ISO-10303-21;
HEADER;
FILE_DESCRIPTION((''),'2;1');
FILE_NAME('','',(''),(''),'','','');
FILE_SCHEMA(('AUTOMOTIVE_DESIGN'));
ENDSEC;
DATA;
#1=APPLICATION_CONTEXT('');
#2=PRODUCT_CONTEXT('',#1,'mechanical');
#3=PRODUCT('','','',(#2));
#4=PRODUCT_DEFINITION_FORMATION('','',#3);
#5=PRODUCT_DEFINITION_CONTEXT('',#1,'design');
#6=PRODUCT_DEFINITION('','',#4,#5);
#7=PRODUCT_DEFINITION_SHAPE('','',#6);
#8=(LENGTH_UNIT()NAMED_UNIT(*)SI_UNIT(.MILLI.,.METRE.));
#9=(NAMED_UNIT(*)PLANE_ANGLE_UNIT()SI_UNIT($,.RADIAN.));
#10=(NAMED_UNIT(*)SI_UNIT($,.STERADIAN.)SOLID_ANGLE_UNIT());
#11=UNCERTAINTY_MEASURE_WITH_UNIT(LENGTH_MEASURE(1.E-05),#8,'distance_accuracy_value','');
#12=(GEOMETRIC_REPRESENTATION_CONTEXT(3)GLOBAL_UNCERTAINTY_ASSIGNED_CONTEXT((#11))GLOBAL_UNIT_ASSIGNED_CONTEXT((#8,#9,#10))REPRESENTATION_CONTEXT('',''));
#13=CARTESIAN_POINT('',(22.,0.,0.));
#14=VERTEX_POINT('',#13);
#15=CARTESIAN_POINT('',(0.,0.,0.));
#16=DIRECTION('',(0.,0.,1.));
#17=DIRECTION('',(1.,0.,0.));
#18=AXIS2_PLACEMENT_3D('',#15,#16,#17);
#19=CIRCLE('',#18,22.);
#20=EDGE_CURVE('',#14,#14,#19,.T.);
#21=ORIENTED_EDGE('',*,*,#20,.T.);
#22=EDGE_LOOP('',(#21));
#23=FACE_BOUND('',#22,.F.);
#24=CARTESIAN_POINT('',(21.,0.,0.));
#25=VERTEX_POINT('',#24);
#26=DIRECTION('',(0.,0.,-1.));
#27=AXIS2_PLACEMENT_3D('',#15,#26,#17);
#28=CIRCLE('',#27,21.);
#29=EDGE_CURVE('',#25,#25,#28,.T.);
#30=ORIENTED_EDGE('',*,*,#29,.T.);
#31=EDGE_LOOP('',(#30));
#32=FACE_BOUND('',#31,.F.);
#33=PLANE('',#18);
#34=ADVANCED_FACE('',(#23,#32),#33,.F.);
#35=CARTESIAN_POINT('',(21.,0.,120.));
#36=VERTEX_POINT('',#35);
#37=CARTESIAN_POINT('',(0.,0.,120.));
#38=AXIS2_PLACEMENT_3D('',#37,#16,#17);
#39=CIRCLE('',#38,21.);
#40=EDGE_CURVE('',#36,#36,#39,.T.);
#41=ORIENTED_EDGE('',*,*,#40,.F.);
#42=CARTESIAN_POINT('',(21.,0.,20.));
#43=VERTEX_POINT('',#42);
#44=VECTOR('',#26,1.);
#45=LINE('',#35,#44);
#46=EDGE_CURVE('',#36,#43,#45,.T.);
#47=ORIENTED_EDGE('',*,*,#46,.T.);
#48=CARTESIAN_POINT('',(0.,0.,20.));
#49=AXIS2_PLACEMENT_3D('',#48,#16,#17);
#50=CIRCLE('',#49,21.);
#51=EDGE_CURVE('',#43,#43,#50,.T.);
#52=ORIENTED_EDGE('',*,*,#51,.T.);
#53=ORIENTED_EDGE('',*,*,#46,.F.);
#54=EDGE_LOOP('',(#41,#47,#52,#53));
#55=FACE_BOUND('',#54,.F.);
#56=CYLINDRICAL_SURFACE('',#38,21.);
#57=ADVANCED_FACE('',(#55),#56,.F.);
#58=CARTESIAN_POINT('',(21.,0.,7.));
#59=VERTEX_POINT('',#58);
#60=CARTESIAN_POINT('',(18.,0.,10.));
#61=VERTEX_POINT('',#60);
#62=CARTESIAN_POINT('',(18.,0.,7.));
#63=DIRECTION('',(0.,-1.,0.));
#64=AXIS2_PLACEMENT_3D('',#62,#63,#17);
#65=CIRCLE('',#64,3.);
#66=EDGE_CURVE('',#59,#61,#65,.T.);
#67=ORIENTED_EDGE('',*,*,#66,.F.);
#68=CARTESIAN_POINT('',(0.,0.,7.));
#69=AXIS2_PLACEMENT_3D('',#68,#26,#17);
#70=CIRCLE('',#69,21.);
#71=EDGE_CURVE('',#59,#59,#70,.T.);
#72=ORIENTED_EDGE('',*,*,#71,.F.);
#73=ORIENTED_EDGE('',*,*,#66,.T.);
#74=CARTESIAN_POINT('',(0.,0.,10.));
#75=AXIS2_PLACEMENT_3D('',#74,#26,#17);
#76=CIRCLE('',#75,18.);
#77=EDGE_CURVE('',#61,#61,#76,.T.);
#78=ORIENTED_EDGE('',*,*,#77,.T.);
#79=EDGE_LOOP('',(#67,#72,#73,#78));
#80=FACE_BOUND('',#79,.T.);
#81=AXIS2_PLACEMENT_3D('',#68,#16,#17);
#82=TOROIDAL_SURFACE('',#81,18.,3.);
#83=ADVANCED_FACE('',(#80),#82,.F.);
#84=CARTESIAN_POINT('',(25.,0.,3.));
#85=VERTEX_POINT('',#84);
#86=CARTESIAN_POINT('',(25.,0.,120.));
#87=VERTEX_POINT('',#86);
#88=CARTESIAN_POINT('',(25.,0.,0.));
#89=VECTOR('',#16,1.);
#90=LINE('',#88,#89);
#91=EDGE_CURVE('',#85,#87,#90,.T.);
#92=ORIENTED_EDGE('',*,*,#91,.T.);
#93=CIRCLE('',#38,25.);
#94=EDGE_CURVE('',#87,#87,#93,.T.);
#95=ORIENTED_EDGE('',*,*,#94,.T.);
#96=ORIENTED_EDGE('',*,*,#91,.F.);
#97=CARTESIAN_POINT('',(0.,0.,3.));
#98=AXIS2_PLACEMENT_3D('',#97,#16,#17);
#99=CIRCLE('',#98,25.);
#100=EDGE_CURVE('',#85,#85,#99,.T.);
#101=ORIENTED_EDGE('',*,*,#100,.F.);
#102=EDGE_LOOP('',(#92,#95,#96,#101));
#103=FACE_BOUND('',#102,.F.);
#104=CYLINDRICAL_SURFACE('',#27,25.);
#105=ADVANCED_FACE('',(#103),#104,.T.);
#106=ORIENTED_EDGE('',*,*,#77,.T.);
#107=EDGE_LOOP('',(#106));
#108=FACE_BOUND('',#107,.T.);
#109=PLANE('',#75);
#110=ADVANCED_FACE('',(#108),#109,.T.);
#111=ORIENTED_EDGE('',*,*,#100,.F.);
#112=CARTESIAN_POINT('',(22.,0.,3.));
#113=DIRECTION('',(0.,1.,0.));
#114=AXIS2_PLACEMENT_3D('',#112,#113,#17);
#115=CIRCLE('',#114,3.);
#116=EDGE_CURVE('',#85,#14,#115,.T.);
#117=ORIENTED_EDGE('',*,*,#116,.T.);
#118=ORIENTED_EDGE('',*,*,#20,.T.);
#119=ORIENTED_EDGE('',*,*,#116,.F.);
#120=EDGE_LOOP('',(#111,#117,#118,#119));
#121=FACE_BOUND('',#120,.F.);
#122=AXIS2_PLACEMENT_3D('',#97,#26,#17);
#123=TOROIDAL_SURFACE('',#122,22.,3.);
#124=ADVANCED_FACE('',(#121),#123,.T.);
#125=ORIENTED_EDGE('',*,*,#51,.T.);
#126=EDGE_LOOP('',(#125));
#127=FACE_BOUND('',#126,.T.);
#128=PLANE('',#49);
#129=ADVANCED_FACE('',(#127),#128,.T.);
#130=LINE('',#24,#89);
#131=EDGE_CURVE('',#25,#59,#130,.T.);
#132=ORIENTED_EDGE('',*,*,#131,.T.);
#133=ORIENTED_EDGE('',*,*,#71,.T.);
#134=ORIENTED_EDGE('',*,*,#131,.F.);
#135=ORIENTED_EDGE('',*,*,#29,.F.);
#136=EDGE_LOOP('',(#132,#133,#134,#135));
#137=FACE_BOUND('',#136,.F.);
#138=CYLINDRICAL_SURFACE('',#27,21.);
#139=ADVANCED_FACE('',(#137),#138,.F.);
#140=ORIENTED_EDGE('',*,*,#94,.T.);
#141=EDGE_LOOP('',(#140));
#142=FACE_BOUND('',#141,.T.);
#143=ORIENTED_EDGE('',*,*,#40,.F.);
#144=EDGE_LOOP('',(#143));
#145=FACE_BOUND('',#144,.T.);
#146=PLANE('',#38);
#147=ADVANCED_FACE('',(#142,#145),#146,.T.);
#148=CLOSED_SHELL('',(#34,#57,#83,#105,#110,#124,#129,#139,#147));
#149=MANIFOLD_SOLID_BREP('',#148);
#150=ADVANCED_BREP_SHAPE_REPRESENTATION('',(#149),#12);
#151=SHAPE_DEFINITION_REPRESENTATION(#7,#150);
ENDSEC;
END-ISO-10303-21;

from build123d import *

# Parameters (mm, degrees)
F0_R     = 25
F1_DEPTH = 120
F2_R     = 21
F3_DEPTH = 100
F4_R     = 21
F5_DEPTH = 10
F6_R     = 3


with BuildPart() as f1:
    # F0 (on Top) → F1 (new body)
    with BuildSketch(Plane.XY):
        Circle(F0_R)
    extrude(amount=F1_DEPTH)

    # F2 (on face) → F3 (cut)
    with BuildSketch(Plane.XY.offset(120)):
        Circle(F2_R)
    extrude(amount=-F3_DEPTH, mode=Mode.SUBTRACT)

    # F4 (on face) → F5 (cut)
    with BuildSketch(Plane(origin=(0, 0, 0), x_dir=(1, 0, 0), z_dir=(0, 0, -1))):
        Circle(F4_R)
    extrude(amount=-F5_DEPTH, mode=Mode.SUBTRACT)

    # F6
    f6_edges = [f1.edges().sort_by_distance(p)[0] for p in [
        (-25, 0, 0),
        (-21, 0, 10),
    ]]
    fillet(f6_edges, radius=F6_R)


solid = f1.part
